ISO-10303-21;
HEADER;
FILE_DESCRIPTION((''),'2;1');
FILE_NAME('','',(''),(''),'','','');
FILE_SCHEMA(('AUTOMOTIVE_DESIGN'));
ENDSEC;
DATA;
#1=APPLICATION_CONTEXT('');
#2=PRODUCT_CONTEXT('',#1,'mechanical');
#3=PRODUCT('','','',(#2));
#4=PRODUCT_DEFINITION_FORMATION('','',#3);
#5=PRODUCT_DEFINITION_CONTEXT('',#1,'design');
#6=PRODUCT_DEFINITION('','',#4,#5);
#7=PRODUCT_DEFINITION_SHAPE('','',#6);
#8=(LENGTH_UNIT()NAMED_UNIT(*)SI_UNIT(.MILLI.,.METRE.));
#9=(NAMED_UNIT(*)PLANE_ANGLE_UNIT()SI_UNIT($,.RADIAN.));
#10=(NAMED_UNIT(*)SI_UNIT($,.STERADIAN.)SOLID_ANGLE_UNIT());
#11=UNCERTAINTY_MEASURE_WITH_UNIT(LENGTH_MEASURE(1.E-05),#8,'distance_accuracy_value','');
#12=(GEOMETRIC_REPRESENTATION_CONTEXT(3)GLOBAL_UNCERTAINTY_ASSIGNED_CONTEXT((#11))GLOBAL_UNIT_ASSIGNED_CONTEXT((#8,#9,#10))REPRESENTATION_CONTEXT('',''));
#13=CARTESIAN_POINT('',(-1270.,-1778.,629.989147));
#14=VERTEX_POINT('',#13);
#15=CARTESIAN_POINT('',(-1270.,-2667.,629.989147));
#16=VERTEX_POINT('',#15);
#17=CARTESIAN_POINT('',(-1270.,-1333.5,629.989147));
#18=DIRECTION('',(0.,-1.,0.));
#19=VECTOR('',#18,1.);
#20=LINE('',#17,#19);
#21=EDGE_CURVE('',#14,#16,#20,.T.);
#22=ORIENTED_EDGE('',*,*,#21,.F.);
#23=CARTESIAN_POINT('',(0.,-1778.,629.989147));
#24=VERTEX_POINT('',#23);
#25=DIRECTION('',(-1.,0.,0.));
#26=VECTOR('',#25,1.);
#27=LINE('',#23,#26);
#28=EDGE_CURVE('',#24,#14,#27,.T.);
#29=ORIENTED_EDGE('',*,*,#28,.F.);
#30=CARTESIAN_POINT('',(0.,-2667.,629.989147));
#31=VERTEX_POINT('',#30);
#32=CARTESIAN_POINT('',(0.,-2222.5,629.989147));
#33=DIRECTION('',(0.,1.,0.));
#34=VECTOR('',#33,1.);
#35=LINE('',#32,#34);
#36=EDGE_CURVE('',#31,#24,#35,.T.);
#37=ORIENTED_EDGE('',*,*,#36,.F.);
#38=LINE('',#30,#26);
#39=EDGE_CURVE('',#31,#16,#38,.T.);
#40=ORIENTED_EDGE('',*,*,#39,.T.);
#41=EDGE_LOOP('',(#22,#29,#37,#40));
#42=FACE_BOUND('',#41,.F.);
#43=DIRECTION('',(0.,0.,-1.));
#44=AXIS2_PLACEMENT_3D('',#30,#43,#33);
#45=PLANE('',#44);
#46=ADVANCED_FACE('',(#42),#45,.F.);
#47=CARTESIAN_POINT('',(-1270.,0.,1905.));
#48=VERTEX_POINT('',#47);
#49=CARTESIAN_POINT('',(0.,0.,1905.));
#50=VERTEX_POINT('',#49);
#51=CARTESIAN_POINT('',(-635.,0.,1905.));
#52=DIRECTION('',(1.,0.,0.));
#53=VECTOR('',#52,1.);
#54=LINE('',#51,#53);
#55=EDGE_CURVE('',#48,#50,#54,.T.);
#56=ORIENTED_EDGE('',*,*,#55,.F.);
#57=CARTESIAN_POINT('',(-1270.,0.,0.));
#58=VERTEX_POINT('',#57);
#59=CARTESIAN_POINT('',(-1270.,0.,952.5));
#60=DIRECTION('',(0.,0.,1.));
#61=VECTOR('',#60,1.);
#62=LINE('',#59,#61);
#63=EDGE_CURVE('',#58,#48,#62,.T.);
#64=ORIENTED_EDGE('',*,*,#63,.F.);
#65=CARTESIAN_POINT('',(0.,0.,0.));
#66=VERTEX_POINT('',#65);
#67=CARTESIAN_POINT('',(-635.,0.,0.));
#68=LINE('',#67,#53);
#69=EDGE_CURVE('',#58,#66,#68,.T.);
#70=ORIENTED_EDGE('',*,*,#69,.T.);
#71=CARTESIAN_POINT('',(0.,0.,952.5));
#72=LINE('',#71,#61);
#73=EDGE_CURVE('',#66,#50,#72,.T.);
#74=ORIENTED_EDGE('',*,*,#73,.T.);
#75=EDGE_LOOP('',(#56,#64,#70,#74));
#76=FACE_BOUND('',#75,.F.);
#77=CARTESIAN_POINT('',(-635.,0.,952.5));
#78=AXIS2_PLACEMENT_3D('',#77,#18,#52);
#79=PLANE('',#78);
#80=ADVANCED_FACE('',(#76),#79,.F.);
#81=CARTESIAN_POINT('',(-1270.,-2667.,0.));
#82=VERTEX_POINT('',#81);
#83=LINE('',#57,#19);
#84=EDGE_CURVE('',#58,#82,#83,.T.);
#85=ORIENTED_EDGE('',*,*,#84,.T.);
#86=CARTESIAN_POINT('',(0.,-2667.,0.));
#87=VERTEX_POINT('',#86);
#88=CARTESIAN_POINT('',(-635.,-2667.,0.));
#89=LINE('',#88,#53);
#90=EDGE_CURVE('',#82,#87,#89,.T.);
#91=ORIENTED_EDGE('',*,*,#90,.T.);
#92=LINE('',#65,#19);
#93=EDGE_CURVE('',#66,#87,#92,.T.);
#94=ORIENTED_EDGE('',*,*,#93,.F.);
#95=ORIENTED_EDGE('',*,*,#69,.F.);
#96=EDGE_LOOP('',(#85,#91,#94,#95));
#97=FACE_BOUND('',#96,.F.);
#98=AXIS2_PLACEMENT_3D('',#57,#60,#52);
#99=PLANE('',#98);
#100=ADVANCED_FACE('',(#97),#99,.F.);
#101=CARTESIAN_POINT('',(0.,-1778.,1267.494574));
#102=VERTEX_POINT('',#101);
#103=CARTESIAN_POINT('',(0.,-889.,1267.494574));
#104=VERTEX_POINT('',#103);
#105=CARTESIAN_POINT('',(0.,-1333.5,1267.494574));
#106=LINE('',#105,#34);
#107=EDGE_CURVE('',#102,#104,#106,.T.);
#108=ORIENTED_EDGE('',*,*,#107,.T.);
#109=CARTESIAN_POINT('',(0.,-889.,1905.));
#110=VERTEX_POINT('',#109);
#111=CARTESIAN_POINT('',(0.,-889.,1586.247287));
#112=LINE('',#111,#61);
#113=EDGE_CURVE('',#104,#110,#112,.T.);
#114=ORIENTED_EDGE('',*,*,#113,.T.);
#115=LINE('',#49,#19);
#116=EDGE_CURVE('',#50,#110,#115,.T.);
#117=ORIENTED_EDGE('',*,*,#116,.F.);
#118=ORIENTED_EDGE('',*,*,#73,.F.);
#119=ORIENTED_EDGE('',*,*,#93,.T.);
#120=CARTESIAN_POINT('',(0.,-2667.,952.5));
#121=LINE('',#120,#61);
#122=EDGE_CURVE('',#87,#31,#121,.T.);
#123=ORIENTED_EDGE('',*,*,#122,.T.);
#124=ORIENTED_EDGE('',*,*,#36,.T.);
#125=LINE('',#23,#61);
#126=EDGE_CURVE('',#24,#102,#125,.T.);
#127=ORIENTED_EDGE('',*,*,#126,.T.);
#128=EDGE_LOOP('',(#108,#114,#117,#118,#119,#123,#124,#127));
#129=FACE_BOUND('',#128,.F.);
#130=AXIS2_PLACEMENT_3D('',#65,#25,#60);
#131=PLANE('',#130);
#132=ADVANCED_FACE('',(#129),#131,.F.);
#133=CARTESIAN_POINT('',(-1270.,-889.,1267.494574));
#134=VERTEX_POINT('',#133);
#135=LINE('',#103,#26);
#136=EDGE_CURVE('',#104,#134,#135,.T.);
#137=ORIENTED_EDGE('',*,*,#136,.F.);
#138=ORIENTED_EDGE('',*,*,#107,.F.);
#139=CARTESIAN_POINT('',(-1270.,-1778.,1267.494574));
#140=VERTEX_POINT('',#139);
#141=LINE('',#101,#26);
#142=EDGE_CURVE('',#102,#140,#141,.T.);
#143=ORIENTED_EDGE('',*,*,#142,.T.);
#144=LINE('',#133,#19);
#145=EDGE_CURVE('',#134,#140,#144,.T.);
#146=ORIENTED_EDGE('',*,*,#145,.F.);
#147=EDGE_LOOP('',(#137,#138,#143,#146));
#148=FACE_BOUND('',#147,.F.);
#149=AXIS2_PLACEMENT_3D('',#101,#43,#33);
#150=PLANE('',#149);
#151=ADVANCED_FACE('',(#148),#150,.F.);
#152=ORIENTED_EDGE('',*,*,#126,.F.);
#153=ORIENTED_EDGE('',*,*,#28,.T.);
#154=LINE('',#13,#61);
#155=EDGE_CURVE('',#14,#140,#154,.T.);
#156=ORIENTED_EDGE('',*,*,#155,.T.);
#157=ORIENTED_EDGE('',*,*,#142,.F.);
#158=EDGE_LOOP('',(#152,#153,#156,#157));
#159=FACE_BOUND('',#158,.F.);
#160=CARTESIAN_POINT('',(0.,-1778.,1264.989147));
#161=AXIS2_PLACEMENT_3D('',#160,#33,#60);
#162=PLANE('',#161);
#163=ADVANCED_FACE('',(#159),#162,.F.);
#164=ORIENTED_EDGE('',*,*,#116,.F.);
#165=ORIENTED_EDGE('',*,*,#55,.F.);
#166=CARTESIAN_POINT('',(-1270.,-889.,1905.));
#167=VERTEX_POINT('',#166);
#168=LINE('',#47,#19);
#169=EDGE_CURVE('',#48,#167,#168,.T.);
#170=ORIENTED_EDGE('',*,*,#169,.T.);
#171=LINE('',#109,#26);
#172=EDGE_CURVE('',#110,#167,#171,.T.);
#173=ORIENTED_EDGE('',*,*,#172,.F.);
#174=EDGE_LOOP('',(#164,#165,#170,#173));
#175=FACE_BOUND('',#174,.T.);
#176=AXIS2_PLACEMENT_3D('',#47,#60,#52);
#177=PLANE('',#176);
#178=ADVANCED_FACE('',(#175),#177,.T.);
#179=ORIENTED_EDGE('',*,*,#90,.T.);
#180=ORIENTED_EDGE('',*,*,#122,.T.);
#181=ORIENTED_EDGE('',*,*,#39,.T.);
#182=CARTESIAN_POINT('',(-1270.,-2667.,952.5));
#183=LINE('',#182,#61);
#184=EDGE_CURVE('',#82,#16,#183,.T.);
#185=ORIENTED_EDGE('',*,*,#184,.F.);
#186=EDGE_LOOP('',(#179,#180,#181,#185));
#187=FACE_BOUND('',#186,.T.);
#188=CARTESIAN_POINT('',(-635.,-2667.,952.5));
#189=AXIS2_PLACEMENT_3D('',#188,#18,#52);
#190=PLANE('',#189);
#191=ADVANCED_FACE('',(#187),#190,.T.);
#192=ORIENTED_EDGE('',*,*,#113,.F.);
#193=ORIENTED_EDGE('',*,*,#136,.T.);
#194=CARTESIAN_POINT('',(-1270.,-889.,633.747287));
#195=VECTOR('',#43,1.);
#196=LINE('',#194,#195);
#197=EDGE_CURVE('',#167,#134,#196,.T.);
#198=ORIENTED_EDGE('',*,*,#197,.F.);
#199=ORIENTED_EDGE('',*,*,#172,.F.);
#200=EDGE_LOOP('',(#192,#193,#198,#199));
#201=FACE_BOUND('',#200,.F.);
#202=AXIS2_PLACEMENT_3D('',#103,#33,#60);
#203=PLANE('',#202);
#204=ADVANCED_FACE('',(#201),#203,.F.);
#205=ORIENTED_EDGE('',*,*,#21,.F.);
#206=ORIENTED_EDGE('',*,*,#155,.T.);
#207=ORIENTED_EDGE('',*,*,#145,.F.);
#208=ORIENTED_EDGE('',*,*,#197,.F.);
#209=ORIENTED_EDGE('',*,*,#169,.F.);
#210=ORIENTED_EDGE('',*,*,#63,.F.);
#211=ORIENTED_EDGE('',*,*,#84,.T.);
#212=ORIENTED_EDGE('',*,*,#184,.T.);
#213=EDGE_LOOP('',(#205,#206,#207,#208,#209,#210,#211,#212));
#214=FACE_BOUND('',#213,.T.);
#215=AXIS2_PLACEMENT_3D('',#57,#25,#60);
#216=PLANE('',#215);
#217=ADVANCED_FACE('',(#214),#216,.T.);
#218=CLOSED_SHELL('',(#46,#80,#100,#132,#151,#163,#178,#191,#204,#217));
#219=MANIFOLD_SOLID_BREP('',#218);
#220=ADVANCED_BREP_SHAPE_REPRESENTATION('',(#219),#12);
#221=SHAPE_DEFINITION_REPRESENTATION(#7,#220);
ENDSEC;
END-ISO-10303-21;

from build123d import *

# Parameters (mm, degrees)
F0_W     = 1270
F0_H     = 1905
F1_DEPTH = 2667
F2_W     = 889
F2_H     = 635
F3_DEPTH = 1882.14
F4_W     = 889
F4_H     = 640.0108528137
F5_DEPTH = 2161.54
F7_W     = 889
F7_H     = 637.5054264069
F8_DEPTH = 2392.68


with BuildPart() as f1:
    # F0 (on Front) → F1 (new body)
    with BuildSketch(Plane.XZ):
        with Locations((-635, 952.5)):
            Rectangle(F0_W, F0_H)
    extrude(amount=F1_DEPTH)

    # F2 (on face) → F3 (cut)
    with BuildSketch(Plane.YZ):
        with Locations((-2222.5, 947.4891471863)):
            Rectangle(F2_W, F2_H)
    extrude(amount=-F3_DEPTH, mode=Mode.SUBTRACT)

    # F4 (on face) → F5 (cut)
    with BuildSketch(Plane.YZ):
        with Locations((-2222.5, 1584.9945735931)):
            Rectangle(F4_W, F4_H)
    extrude(amount=-F5_DEPTH, mode=Mode.SUBTRACT)

    # F7 (on face) → F8 (cut)
    with BuildSketch(Plane.YZ):
        with Locations((-1333.5, 1586.2472867966)):
            Rectangle(F7_W, F7_H)
    extrude(amount=-F8_DEPTH, mode=Mode.SUBTRACT)


solid = f1.part
